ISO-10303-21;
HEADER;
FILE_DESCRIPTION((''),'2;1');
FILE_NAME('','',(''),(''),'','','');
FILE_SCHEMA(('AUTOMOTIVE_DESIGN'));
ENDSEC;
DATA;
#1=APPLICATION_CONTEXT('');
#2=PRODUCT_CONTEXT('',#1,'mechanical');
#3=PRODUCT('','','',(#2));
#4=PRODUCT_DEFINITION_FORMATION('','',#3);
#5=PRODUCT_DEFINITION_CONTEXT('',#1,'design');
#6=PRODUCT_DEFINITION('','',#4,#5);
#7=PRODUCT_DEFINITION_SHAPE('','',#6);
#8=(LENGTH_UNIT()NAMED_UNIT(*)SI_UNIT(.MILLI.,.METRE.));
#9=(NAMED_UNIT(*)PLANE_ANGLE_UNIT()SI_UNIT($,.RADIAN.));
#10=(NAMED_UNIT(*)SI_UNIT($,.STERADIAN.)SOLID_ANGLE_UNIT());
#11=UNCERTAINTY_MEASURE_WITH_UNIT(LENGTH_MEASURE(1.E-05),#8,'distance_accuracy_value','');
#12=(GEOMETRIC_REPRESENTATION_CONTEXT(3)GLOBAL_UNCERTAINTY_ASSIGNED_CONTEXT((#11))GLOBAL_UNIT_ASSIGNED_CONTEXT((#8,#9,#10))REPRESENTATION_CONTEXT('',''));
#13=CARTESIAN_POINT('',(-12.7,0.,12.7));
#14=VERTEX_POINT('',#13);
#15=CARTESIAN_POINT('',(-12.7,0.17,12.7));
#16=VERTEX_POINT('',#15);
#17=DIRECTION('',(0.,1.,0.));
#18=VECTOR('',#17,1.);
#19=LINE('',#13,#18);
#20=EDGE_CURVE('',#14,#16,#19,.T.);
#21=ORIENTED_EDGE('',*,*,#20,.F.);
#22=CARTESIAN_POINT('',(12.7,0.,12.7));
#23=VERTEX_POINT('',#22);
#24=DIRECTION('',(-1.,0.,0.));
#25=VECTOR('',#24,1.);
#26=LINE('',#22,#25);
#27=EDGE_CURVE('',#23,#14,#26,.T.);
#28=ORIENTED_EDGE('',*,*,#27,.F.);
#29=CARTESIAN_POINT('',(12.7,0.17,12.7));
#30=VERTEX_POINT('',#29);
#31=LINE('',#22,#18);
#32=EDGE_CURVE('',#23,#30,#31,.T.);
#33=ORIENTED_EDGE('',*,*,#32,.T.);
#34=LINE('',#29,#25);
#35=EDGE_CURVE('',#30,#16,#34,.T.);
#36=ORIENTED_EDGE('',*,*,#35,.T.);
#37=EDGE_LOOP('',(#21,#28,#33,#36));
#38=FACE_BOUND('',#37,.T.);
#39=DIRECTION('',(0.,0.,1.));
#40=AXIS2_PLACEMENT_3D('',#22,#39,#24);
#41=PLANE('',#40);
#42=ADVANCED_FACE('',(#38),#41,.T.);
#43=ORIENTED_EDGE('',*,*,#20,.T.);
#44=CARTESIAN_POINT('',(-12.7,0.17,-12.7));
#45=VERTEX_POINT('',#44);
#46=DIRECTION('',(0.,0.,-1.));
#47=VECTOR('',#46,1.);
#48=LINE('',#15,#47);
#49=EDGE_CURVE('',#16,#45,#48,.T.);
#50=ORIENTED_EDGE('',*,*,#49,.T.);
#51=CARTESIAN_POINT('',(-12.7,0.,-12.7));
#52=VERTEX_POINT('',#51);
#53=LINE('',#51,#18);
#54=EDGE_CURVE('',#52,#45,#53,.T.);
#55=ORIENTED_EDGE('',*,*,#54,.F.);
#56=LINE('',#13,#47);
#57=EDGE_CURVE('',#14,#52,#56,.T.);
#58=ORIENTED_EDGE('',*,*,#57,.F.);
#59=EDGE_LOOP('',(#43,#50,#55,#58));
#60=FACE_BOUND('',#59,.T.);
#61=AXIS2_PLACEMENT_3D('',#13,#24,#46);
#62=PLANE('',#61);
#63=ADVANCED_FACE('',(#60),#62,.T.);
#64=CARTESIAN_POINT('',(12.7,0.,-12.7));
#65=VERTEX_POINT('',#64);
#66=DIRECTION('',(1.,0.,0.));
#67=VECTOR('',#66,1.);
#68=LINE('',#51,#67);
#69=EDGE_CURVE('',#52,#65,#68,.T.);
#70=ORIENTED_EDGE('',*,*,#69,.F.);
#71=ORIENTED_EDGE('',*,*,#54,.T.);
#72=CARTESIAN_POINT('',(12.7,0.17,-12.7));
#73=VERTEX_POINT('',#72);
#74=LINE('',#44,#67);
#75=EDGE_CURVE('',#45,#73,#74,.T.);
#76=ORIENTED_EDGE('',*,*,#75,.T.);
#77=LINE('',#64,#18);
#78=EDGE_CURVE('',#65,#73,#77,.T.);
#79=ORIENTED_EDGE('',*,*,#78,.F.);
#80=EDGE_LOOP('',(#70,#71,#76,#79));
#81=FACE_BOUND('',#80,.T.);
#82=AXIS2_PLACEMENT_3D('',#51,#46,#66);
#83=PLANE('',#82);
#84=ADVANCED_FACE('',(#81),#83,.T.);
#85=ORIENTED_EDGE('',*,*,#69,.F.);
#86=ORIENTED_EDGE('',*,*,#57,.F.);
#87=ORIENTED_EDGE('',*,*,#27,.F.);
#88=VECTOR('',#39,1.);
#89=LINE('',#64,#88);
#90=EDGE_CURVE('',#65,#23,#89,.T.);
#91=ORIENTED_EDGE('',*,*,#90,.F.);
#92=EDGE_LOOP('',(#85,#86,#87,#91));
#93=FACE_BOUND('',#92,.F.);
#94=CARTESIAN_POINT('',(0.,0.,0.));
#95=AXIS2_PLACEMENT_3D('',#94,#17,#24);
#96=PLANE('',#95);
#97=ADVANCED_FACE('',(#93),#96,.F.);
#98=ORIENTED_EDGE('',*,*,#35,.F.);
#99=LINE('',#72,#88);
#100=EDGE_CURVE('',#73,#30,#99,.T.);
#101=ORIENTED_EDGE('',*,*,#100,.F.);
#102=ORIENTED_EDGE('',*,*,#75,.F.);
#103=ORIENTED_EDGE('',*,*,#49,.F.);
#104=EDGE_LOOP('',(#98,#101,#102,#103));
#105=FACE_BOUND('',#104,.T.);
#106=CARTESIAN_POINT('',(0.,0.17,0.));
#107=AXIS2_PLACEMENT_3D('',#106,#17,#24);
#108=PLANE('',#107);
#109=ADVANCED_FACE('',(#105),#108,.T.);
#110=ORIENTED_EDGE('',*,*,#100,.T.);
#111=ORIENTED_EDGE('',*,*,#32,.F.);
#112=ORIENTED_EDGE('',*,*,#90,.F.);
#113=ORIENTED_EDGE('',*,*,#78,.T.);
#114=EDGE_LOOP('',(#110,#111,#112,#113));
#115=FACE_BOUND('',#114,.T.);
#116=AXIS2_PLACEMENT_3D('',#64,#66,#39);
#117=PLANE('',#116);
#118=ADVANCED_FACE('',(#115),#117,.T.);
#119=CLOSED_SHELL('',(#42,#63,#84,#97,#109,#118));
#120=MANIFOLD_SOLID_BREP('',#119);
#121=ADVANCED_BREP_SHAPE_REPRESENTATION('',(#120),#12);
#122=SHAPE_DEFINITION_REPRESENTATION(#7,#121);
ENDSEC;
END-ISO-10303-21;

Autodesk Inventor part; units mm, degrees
ref_plane "YZ Plane" through (0, 0, 0) normal (1, 0, 0) x (0, 1, 0)
ref_plane "XZ Plane" through (0, 0, 0) normal (0, 1, 0) x (-1, 0, 0)
ref_plane "XY Plane" through (0, 0, 0) normal (0, 0, 1) x (1, 0, 0)
sketch "Sketch1" plane through (0, 0, 0) normal (0, 1, 0) x (-1, 0, 0)
  line L0 (-12.7, 12.7) -> (12.7, 12.7)
  line L1 (12.7, 12.7) -> (12.7, -12.7)
  line L2 (12.7, -12.7) -> (-12.7, -12.7)
  line L3 (-12.7, -12.7) -> (-12.7, 12.7)
  line L4 (-12.7, 12.7) -> (12.7, -12.7) construction
  line L5 (12.7, 12.7) -> (-12.7, -12.7) construction
  point P0 (0, 0)
  dimension "d0" = 25.4
  dimension "d1" = 25.4
extrude "Extrusion1" add sketch "Sketch1" along normal blind 0.17
properties part number "Glass"
